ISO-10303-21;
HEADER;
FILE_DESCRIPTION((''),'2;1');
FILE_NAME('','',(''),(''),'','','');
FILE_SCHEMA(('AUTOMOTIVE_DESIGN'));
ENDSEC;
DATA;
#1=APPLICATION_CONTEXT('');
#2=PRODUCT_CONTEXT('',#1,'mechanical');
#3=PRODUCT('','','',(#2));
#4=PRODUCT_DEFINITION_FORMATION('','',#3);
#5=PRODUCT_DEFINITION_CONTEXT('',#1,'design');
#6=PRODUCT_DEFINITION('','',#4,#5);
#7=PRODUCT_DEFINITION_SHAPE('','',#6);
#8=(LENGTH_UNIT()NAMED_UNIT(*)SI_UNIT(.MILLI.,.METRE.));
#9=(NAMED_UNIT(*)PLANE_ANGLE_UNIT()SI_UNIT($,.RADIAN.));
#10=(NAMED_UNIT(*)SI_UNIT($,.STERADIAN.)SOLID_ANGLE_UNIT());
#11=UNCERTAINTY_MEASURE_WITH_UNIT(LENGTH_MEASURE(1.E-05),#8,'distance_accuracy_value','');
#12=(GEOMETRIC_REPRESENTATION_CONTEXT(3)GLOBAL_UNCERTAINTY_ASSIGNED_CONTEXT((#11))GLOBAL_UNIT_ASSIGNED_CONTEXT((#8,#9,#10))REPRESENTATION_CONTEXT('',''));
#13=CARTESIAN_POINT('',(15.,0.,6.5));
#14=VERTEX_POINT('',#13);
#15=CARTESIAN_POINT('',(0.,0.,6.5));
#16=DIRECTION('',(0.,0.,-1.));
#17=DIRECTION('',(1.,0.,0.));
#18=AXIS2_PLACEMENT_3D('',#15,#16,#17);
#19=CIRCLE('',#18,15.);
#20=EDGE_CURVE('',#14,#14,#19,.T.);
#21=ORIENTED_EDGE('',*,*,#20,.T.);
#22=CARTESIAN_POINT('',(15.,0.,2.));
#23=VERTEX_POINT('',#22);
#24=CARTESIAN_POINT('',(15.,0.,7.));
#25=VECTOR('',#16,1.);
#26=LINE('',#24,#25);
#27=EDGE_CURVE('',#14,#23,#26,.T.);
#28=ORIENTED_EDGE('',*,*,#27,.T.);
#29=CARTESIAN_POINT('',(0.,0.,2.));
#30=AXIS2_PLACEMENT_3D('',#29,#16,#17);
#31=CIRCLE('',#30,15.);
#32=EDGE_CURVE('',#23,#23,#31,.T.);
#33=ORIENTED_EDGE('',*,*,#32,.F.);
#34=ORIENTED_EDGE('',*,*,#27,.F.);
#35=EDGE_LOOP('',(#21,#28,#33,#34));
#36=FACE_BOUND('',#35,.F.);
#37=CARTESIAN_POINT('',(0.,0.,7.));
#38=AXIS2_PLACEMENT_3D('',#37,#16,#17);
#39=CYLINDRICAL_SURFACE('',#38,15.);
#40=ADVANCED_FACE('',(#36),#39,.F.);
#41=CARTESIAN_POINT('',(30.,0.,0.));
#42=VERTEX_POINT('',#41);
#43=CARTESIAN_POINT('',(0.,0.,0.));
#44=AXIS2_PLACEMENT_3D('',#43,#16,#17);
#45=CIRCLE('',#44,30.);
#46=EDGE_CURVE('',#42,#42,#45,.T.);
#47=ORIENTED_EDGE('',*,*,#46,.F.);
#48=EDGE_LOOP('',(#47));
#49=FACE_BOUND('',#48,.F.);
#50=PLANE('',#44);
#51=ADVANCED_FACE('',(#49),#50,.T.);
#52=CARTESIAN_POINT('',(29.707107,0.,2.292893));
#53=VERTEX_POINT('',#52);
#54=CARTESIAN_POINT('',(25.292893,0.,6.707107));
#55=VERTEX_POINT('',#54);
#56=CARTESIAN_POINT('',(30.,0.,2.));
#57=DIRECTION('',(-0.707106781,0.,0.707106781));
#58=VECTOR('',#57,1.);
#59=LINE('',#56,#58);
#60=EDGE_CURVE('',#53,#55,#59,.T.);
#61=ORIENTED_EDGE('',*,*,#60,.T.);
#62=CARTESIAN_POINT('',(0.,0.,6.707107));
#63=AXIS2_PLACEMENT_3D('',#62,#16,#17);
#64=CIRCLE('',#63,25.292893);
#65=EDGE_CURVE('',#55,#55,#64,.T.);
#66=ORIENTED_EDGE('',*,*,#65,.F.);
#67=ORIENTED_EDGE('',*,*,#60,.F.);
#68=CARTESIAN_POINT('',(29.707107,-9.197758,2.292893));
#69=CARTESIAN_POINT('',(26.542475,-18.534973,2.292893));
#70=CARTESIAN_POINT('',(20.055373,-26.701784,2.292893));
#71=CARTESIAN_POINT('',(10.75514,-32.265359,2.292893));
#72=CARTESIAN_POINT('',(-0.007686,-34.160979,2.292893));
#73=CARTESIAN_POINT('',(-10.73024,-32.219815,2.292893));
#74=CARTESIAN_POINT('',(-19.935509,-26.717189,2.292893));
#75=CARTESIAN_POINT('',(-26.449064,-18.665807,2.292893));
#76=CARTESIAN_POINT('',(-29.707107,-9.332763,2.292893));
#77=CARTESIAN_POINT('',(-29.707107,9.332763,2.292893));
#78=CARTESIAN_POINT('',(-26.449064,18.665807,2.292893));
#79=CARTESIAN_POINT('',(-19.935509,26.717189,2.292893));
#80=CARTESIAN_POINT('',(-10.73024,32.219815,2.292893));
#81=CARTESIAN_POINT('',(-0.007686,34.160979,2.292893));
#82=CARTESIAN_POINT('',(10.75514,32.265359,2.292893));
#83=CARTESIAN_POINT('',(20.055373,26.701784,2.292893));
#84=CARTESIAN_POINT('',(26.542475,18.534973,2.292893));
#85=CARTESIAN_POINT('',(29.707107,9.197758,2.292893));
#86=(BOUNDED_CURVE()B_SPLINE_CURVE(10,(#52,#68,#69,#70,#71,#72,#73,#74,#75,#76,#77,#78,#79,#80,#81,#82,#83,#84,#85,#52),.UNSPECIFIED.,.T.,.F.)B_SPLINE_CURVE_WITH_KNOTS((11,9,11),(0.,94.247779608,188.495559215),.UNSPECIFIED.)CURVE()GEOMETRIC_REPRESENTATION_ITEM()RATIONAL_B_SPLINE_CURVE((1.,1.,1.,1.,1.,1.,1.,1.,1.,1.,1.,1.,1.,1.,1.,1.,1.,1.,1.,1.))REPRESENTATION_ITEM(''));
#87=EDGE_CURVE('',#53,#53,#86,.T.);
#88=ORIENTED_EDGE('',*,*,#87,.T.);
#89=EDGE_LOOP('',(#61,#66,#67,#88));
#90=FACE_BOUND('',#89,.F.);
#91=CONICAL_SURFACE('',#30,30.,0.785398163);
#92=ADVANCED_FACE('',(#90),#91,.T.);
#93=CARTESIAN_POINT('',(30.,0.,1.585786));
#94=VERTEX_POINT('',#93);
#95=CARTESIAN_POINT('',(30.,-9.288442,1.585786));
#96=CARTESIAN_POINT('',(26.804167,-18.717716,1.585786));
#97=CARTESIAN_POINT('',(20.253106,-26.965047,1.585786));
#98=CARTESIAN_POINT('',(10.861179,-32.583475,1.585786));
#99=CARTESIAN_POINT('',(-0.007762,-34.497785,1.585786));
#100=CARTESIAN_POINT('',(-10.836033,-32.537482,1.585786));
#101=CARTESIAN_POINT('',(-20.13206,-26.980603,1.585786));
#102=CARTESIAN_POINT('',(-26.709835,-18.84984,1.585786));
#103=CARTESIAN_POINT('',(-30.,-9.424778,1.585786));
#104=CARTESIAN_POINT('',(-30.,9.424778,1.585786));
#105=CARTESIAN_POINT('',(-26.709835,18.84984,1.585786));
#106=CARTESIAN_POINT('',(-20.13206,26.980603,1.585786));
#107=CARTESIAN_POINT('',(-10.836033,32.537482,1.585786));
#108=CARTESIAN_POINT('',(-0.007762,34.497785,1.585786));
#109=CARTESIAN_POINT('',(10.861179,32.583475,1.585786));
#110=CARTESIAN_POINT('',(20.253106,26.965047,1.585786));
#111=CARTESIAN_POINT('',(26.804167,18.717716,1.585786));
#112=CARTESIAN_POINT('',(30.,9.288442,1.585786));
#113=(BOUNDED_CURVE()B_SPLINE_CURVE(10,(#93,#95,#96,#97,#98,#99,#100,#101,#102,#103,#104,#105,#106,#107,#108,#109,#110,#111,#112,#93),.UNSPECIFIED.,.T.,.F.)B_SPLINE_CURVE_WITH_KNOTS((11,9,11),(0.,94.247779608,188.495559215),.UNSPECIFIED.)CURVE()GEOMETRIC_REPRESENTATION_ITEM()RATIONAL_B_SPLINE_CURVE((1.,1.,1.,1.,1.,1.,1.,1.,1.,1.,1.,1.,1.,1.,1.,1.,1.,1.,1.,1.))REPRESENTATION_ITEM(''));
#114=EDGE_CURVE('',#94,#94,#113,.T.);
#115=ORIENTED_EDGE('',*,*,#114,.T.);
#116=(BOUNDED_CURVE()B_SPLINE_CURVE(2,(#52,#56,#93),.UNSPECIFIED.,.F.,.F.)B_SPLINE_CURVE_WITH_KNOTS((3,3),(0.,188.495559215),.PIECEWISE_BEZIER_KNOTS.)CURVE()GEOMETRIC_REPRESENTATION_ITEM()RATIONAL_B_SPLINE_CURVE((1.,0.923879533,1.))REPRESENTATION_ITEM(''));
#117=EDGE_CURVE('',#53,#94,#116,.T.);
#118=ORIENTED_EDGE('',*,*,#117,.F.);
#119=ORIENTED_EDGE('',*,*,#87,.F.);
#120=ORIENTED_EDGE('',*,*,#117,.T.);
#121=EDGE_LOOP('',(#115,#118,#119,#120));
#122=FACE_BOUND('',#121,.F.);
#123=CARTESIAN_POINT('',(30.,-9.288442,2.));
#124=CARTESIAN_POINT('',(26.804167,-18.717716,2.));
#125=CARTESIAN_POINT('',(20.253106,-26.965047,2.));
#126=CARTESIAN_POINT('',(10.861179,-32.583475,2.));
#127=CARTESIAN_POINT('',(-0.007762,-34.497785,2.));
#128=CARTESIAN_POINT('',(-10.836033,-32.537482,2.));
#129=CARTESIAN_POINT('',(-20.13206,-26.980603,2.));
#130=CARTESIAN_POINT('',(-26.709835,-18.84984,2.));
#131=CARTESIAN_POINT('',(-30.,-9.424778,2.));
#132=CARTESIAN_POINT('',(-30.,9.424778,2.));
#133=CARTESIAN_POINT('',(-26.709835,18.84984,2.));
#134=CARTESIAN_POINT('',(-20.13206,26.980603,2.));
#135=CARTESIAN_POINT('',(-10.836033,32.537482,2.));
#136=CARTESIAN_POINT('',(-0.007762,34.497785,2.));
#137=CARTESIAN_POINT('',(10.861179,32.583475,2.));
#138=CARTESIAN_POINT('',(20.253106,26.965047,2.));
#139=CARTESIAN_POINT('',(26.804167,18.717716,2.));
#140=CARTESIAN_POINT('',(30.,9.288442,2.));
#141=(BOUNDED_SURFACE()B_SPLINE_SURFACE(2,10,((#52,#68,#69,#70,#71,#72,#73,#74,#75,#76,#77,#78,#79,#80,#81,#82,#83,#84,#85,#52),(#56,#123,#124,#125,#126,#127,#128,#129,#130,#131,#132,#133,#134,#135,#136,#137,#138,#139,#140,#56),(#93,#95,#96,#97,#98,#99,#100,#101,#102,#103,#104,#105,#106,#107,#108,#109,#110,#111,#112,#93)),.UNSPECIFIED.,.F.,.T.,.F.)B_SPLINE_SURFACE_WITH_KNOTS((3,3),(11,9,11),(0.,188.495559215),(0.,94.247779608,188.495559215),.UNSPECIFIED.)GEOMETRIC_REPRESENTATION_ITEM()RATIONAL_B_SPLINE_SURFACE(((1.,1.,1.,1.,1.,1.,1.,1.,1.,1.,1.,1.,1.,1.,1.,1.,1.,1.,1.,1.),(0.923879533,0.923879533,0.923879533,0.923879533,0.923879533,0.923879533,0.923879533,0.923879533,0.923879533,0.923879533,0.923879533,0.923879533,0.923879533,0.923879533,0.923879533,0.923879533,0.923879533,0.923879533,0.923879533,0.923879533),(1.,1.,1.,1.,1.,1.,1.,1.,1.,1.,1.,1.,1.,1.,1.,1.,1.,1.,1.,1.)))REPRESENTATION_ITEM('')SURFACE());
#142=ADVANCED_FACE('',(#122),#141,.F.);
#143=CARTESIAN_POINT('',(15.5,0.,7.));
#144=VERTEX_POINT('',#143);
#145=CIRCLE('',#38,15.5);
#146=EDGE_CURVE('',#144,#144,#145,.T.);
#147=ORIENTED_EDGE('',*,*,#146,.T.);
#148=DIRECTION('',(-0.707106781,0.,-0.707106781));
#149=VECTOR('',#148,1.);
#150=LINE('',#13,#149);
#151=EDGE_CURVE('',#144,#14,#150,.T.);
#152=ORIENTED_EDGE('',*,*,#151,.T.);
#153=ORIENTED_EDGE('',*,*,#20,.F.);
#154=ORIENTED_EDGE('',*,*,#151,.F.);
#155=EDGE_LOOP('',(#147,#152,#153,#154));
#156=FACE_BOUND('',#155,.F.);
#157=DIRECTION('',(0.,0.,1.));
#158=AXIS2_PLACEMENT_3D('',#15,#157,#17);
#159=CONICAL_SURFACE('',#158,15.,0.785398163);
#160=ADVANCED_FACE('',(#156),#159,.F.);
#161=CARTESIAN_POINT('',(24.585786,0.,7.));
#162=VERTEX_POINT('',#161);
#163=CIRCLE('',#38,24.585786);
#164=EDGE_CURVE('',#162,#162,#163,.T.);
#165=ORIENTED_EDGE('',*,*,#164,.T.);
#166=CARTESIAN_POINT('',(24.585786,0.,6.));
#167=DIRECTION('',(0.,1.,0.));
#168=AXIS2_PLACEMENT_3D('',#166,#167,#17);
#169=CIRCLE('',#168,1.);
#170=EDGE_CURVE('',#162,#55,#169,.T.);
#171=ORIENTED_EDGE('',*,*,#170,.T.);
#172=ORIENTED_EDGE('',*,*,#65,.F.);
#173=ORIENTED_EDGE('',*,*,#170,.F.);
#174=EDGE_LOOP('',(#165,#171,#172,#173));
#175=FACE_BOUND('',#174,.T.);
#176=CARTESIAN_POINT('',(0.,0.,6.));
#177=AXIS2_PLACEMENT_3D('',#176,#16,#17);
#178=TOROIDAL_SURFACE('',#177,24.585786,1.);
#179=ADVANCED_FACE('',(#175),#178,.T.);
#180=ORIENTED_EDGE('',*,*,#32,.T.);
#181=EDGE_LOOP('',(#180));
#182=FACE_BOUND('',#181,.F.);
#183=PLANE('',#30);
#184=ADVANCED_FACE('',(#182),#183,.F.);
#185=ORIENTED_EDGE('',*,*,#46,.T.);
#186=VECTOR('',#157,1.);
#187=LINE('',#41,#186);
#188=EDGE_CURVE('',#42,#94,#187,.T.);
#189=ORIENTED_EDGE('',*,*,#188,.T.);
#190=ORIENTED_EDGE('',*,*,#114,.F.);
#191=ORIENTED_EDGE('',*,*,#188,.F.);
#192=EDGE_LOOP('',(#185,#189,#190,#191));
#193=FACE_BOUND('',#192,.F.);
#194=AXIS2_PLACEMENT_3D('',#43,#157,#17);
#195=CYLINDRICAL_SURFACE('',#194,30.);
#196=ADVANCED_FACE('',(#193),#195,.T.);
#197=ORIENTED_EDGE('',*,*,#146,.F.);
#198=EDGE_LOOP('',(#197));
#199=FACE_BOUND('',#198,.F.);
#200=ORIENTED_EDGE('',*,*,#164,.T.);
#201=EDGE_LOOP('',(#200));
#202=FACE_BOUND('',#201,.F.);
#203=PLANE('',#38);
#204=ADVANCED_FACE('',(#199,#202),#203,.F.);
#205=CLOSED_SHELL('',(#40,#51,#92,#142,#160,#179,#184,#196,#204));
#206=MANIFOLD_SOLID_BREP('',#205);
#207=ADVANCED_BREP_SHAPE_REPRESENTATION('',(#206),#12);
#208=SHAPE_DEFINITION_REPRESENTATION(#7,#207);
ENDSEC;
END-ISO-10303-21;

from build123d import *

# Parameters (mm, degrees)
F2_SIZE = 5
F3_SIZE = 0.5
F4_R    = 1


with BuildPart() as f1:
    # F0 (on Front) → F1 (revolve)
    with BuildSketch(Plane.XZ):
        Polygon((15, 2), (0, 2), (0, 0), (30, 0), (30, 7), (15, 7), align=None)
    revolve(axis=Axis((0, 0, 16.768291272), (0, 0, -1)))

    # F2
    f2_edges = [f1.edges().sort_by_distance(p)[0] for p in [
        (-30, 0, 7),
    ]]
    chamfer(f2_edges, length=F2_SIZE)

    # F3
    f3_edges = [f1.edges().sort_by_distance(p)[0] for p in [
        (-15, 0, 7),
    ]]
    chamfer(f3_edges, length=F3_SIZE)

    # F4
    f4_edges = [f1.edges().sort_by_distance(p)[0] for p in [
        (-25, 0, 7),
        (-30, 0, 2),
    ]]
    fillet(f4_edges, radius=F4_R)


solid = f1.part
